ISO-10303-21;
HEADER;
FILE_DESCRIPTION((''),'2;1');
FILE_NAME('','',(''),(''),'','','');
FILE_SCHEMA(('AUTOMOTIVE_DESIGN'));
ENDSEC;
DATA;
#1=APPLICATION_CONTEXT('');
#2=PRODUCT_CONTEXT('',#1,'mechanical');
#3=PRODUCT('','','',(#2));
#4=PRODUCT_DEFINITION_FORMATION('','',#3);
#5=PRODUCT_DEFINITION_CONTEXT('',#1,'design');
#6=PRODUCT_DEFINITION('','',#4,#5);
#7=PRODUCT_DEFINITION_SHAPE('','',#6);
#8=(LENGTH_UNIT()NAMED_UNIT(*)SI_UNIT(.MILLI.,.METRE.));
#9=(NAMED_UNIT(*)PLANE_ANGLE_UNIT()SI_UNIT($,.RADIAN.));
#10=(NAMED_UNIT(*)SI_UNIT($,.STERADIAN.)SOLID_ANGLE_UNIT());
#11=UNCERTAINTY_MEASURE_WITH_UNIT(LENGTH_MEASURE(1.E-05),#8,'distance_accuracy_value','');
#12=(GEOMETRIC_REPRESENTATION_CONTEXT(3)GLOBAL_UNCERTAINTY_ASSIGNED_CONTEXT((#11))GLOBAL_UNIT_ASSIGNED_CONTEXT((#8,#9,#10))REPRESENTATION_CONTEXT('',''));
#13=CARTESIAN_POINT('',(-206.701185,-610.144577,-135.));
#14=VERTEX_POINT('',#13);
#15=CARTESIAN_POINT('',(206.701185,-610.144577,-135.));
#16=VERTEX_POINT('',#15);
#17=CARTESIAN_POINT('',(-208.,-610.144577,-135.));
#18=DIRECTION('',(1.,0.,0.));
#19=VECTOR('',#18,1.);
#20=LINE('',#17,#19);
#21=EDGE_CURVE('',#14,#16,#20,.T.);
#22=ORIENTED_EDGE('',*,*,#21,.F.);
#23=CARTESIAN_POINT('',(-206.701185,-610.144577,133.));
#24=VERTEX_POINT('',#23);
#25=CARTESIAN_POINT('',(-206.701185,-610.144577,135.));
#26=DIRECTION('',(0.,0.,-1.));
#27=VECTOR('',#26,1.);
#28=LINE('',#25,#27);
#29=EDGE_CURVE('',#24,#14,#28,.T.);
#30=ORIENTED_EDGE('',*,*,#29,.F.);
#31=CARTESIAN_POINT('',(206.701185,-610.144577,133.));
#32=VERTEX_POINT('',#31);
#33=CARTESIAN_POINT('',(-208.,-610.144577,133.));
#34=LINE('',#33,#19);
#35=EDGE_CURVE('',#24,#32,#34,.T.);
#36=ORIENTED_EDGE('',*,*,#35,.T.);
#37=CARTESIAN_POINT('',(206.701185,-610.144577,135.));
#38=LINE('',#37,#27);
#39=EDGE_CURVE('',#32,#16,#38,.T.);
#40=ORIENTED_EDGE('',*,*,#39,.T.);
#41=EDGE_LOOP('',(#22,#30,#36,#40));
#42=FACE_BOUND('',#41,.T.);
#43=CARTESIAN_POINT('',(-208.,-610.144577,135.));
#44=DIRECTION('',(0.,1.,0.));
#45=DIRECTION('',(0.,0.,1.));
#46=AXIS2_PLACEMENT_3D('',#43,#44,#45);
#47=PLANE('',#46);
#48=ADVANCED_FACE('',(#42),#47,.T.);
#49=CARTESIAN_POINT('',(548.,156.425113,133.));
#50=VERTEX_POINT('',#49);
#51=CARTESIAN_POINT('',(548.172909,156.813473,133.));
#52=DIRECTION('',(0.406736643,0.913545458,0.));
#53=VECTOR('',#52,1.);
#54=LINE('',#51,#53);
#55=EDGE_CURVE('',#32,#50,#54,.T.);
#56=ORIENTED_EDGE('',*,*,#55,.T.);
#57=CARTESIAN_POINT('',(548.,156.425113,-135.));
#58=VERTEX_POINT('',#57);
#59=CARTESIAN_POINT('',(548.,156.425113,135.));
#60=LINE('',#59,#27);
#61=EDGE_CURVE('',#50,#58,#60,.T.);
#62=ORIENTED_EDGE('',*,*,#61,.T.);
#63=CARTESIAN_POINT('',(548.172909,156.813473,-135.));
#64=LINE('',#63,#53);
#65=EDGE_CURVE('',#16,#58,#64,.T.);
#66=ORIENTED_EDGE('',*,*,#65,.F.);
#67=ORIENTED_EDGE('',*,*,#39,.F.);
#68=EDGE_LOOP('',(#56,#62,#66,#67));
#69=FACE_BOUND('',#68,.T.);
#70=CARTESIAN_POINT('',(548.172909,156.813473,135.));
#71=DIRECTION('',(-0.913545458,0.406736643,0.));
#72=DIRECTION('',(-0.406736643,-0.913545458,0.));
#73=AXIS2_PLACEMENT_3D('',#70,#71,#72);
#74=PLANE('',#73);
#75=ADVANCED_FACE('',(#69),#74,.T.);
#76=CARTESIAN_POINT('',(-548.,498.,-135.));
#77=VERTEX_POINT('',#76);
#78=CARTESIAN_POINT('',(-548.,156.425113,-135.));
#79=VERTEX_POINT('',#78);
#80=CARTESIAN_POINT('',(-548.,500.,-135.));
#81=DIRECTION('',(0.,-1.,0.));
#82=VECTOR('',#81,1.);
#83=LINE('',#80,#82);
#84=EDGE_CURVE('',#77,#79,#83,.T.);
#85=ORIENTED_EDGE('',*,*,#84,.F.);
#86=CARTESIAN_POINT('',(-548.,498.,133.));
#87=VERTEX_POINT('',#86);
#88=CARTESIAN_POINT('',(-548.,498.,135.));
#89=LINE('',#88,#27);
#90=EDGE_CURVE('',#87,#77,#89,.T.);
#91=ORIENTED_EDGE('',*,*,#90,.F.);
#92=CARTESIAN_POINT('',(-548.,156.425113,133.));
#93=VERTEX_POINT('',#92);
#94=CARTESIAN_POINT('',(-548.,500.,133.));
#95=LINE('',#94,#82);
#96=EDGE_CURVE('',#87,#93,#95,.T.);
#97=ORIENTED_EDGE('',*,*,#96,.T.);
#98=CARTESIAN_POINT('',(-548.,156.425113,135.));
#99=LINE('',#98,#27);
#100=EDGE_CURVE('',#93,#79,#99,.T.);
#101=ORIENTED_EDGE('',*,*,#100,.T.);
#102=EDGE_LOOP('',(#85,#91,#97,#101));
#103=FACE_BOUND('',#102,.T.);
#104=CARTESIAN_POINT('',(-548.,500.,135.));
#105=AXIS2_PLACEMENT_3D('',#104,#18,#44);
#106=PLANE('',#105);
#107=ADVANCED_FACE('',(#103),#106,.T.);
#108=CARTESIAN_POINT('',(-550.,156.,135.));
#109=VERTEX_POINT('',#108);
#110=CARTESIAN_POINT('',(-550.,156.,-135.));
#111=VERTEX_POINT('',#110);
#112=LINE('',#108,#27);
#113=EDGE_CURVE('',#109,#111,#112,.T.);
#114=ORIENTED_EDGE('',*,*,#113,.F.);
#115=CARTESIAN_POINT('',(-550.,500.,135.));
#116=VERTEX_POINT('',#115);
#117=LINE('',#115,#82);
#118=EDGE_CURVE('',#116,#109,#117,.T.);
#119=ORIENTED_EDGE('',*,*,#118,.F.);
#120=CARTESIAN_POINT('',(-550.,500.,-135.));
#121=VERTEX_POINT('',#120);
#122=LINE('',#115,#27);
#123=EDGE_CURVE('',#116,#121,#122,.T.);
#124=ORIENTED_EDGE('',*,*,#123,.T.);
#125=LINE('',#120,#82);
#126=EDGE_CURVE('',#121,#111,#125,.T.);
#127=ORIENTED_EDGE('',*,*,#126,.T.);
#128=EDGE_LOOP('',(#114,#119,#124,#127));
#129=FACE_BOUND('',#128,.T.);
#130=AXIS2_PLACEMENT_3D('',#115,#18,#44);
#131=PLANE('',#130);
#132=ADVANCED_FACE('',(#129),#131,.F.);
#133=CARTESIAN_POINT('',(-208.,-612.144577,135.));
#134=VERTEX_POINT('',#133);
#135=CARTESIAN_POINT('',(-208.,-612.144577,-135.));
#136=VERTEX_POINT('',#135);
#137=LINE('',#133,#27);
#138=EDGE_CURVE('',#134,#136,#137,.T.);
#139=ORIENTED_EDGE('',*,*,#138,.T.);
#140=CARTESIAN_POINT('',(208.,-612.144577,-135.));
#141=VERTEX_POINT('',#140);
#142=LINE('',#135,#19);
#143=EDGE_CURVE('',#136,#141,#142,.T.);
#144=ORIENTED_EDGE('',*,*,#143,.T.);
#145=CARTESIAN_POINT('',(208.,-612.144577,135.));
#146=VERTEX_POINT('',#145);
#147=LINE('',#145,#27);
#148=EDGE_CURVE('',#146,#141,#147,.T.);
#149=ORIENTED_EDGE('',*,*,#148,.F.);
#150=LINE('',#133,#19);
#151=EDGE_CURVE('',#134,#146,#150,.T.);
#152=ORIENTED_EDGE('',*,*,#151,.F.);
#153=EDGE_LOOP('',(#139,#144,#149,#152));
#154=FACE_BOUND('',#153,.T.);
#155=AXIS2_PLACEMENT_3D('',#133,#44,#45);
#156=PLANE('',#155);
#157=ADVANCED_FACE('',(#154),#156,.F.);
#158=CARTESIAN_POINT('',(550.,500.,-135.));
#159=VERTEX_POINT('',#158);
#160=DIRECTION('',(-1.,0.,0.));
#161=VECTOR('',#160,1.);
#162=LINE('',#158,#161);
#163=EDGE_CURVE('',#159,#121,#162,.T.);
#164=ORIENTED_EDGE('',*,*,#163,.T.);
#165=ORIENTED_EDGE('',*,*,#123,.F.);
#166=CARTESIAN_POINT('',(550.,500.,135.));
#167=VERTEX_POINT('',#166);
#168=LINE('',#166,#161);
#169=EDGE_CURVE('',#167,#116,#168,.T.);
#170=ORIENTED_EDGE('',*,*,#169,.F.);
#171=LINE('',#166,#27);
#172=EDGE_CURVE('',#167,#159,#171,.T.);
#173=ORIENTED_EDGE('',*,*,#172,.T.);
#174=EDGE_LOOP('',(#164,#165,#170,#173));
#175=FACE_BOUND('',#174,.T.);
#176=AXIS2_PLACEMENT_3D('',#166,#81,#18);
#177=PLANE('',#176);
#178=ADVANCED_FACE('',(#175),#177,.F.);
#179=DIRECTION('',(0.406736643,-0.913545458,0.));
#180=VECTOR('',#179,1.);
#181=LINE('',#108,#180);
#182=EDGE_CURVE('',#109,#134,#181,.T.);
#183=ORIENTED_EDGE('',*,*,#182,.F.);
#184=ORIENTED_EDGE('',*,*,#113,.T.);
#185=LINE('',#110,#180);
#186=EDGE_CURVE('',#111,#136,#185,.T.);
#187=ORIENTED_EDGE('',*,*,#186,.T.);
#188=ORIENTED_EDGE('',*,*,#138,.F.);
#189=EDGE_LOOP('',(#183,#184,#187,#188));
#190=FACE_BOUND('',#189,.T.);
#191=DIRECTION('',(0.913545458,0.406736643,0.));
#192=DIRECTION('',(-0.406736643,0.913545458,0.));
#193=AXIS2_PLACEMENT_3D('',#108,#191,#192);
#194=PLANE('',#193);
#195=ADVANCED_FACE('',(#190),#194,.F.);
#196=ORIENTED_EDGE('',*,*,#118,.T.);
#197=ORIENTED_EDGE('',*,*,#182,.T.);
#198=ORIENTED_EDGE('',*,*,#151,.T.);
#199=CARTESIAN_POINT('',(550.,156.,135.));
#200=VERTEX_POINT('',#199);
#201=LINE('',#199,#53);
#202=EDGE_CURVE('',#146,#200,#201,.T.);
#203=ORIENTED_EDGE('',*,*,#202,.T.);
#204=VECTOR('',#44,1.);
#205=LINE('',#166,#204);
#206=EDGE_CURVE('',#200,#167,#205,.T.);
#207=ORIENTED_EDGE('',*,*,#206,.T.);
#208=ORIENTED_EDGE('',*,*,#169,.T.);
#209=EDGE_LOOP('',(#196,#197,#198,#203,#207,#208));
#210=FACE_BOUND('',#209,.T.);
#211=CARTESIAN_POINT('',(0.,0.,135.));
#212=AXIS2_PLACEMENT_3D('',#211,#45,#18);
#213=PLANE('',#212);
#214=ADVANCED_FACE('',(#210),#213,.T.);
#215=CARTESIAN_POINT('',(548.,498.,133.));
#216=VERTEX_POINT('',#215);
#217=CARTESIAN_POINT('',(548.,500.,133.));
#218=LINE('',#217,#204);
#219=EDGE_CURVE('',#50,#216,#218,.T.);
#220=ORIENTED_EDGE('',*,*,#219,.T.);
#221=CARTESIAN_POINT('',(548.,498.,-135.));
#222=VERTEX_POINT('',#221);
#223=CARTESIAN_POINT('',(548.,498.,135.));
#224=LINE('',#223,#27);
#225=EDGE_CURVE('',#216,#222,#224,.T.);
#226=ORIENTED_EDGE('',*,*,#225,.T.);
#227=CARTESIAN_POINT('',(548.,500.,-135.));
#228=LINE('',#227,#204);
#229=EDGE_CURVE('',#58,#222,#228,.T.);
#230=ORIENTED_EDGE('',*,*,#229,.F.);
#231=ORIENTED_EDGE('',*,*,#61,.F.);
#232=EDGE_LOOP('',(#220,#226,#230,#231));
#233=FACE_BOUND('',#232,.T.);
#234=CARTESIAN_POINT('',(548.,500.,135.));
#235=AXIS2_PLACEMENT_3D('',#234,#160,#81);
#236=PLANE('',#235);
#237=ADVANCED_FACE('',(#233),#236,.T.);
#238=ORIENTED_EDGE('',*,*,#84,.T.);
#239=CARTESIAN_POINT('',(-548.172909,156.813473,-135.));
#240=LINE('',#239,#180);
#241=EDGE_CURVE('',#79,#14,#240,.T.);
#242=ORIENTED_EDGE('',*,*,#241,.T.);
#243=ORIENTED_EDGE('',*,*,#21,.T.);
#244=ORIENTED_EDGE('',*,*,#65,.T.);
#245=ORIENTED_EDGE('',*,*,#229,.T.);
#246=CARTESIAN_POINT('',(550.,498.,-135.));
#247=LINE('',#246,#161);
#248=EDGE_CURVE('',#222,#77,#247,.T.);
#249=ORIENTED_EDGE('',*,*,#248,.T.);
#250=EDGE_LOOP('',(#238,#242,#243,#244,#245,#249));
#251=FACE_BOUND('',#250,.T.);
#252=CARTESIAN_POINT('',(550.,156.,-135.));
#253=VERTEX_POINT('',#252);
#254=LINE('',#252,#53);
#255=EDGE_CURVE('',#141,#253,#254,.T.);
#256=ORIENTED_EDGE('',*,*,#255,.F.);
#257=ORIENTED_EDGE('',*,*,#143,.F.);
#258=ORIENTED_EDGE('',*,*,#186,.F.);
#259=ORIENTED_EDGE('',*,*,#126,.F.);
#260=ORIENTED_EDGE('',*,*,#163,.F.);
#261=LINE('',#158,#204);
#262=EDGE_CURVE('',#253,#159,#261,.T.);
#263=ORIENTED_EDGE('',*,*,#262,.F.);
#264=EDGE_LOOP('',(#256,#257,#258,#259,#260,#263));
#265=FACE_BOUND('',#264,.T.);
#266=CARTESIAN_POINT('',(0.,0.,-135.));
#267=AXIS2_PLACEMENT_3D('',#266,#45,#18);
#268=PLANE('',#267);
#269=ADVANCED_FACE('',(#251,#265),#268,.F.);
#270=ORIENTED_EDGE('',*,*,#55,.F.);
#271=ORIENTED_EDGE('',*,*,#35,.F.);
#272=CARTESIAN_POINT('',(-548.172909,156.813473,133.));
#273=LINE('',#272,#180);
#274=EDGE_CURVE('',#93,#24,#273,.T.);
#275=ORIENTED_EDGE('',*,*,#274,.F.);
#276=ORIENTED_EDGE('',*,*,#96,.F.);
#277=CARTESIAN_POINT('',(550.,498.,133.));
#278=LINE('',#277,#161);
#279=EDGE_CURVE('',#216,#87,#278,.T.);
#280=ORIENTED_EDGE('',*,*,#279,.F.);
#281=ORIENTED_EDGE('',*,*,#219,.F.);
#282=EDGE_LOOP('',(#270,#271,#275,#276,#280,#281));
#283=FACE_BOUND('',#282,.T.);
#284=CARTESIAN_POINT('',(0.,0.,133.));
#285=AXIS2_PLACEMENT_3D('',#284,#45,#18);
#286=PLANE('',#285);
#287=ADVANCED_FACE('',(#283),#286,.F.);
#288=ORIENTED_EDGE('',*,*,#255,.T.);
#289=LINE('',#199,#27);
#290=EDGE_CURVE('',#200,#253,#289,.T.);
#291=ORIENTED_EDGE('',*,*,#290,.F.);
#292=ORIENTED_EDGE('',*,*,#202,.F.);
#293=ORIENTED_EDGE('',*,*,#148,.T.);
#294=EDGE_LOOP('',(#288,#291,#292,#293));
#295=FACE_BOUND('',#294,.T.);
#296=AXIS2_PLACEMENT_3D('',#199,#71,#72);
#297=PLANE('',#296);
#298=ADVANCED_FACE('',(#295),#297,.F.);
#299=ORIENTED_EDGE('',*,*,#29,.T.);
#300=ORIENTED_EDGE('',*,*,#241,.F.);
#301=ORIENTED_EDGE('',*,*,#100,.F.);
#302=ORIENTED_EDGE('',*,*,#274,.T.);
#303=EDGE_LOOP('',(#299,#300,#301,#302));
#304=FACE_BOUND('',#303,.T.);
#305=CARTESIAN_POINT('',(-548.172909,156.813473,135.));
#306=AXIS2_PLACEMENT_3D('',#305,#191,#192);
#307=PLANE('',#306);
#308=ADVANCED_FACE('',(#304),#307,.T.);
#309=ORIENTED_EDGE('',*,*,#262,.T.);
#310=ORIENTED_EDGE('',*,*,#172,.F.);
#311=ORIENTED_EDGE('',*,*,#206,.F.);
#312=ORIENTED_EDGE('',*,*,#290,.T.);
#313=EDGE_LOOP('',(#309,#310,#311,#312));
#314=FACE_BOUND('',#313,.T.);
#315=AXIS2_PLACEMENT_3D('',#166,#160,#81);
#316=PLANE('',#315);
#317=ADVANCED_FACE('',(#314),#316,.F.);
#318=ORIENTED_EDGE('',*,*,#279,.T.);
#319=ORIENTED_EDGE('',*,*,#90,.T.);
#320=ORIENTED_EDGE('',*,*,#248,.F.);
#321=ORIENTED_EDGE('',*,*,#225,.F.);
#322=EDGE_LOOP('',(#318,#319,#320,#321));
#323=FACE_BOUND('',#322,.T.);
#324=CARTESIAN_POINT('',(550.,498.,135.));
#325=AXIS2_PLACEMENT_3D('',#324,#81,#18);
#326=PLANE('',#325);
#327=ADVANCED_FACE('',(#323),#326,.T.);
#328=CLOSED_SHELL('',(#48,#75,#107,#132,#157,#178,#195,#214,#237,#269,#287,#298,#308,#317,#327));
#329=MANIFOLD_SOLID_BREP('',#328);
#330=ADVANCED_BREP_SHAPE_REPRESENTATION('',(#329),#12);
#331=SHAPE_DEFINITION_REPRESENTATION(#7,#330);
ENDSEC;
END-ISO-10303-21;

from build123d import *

# Parameters (mm, degrees)
BOSS_EXTRUDE1_DEPTH = 135
SHELL1_T            = -2


with BuildPart() as part:
    # Sketch1 → Boss-Extrude1 (new, symmetric)
    with BuildSketch(Plane.XY):
        Polygon((550, 500), (-550, 500), (-550, 156), (-208, -612.144576675), (208, -612.144576675), (550, 156), align=None)
    extrude(amount=BOSS_EXTRUDE1_DEPTH, both=True)

    # Shell1
    shell1_openings = [part.faces().sort_by_distance(p)[0] for p in [
        (0, 25.973898383, -135),
    ]]
    offset(amount=SHELL1_T, openings=shell1_openings, kind=Kind.INTERSECTION)


solid = part.part
